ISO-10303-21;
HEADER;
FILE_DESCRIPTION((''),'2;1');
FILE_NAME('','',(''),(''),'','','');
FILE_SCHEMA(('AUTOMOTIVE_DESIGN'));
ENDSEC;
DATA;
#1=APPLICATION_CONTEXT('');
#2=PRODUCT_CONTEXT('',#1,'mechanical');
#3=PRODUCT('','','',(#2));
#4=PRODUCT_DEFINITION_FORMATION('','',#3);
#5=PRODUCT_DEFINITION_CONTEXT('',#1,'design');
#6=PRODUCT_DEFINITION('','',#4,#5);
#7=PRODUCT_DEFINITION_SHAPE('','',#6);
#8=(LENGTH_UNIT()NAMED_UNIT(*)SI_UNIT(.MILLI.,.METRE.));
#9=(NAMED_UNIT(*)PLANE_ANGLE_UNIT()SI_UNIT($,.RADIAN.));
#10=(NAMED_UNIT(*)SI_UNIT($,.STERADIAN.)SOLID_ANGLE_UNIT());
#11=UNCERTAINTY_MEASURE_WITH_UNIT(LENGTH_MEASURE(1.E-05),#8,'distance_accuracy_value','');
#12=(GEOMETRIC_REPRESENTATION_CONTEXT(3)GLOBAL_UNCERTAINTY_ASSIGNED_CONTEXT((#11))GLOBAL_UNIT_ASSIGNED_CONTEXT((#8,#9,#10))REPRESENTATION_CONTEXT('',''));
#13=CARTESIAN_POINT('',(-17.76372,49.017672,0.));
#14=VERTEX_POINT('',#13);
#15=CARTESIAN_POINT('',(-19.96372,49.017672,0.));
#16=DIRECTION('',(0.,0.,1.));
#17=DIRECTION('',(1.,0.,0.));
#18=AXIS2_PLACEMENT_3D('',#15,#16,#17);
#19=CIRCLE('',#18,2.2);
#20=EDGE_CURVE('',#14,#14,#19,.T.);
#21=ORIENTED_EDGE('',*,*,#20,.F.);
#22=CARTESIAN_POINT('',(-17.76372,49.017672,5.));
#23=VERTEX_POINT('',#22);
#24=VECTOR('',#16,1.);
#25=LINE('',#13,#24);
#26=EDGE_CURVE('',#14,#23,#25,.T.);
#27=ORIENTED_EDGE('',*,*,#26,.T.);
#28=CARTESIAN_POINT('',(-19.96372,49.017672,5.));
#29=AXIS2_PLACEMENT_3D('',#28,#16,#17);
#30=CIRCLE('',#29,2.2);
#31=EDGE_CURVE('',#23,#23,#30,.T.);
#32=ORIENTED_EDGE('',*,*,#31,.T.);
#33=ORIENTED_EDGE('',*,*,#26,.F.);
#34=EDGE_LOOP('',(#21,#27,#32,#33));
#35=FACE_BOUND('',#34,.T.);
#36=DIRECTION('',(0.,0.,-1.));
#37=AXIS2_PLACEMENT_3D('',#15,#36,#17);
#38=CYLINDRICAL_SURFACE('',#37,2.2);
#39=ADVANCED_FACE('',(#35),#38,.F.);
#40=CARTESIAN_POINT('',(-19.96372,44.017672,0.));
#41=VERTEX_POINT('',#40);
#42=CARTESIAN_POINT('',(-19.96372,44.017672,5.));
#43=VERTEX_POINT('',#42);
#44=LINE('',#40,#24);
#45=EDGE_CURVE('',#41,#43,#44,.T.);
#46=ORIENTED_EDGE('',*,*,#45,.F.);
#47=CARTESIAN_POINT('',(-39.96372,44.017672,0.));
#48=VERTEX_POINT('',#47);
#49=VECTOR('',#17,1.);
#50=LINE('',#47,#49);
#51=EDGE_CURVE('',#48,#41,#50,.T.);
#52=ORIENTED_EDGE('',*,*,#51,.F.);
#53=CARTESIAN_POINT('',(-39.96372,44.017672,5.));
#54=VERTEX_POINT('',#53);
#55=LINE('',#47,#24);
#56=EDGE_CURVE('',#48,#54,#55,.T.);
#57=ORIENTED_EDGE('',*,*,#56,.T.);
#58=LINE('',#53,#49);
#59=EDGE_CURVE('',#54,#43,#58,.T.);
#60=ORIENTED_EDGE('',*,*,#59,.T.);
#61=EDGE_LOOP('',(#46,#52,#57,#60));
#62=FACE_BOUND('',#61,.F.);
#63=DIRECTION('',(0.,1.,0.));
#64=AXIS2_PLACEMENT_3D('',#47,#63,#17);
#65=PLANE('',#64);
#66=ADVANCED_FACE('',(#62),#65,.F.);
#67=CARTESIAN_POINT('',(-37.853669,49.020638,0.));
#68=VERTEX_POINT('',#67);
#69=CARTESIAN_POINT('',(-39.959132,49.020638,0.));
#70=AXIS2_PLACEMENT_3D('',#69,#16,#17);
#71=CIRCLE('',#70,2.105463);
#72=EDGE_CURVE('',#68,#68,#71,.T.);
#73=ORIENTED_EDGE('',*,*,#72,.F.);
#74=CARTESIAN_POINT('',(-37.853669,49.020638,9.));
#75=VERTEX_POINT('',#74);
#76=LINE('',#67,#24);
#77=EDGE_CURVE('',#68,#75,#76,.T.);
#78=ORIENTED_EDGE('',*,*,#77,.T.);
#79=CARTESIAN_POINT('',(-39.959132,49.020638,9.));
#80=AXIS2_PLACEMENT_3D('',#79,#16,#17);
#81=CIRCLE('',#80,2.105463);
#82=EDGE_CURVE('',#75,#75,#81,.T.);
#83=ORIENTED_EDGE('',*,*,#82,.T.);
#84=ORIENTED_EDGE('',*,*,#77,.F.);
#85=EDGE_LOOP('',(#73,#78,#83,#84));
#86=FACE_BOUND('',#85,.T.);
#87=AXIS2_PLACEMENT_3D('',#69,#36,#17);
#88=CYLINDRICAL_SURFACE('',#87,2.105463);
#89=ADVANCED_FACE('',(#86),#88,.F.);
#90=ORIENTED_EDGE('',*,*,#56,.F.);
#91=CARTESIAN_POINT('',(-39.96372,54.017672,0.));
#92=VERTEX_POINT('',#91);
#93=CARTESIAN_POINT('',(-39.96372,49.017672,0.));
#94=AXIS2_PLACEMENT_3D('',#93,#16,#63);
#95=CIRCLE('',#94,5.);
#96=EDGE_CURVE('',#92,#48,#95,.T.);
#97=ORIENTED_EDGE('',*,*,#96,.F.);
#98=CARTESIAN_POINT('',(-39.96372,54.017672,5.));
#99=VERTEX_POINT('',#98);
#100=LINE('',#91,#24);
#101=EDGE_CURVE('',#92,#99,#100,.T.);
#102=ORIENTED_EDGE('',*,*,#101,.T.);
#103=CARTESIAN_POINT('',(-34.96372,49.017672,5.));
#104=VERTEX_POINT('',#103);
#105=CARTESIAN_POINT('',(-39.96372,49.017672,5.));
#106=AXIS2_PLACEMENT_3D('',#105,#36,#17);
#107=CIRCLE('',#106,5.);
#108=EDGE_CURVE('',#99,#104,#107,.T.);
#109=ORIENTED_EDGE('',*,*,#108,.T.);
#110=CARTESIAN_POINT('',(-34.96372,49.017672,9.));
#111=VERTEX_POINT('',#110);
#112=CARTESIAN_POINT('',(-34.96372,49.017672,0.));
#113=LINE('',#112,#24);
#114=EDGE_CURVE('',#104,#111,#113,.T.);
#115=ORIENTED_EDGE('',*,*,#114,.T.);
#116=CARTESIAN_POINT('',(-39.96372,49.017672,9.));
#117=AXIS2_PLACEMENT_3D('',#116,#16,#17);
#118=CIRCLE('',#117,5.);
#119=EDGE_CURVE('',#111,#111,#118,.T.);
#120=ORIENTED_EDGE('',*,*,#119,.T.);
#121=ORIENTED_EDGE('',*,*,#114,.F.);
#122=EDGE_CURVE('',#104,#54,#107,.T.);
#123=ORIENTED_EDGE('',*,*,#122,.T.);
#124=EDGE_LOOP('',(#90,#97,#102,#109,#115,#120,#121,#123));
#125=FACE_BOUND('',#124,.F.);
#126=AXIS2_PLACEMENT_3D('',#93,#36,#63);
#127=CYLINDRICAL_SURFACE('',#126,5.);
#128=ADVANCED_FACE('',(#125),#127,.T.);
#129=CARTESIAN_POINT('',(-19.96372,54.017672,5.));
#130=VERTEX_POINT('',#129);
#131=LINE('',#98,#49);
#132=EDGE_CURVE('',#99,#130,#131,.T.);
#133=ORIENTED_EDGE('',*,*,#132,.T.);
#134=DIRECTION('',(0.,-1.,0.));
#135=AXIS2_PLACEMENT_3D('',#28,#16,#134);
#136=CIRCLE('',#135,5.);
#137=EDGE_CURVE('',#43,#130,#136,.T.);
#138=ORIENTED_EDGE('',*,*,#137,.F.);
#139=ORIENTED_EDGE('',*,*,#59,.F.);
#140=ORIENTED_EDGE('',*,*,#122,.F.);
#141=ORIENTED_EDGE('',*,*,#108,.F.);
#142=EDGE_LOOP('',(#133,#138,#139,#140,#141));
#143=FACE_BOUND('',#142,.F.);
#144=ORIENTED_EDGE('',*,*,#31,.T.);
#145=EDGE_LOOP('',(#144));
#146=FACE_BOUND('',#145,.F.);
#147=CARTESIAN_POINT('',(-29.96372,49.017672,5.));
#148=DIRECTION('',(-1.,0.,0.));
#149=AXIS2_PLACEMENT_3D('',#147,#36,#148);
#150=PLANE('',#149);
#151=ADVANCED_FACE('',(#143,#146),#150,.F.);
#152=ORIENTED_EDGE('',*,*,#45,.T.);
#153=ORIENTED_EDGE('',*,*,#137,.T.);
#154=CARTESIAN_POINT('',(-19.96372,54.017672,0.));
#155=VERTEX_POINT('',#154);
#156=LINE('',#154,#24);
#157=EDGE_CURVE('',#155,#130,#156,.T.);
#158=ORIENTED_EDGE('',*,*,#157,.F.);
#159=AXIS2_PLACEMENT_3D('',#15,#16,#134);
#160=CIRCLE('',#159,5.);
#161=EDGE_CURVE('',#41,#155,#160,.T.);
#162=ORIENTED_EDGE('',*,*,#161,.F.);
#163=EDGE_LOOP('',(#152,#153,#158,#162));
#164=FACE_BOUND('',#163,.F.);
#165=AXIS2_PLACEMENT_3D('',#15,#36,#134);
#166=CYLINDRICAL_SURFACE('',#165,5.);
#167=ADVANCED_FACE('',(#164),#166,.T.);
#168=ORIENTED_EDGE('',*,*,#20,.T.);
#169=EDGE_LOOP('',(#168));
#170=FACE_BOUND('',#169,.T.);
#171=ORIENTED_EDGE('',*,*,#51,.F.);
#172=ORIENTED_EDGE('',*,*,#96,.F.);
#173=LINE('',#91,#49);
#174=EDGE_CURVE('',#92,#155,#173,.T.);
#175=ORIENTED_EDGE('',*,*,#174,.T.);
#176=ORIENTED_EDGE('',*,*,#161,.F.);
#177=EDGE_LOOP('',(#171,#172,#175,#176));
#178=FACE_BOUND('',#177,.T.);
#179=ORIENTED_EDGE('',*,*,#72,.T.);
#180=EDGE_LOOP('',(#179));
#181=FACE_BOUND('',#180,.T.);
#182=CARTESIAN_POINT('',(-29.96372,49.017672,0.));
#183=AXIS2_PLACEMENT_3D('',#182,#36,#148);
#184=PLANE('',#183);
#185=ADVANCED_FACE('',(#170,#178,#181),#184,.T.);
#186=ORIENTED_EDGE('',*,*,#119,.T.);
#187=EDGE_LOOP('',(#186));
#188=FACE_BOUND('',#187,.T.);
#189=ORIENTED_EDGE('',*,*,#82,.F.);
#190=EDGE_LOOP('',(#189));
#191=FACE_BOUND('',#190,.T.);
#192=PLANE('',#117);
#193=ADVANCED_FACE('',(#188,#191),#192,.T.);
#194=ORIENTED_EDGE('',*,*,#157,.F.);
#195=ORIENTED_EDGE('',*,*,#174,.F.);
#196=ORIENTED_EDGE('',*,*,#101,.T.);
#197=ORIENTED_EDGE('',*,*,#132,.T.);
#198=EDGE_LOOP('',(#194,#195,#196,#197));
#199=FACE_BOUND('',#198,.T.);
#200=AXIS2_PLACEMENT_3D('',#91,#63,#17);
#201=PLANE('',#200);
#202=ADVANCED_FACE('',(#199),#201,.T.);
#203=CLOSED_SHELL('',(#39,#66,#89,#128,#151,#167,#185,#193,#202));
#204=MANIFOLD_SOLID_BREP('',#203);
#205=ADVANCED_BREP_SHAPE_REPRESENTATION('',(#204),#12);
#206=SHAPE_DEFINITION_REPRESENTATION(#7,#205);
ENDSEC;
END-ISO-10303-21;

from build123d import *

# Parameters (mm, degrees)
SKETCH005_R      = 5
SKETCH005_R_2    = 2.105463
EXTRUDE004_DEPTH = 9
SKETCH004_R      = 2.2
EXTRUDE003_DEPTH = 5


with BuildPart() as psu_one_hole_extrude:
    # Sketch005 → Extrude004 (new body)
    with BuildSketch(Plane.XY):
        with Locations((-39.96372, 49.017672)):
            Circle(SKETCH005_R)
        with Locations((-39.959132, 49.020638)):
            Circle(SKETCH005_R_2, mode=Mode.SUBTRACT)
    extrude(amount=EXTRUDE004_DEPTH)


with BuildPart() as psu_two_hole_tab_fusion:
    # Sketch004 → Extrude003 (new body)
    with BuildSketch(Plane.XY):
        with BuildLine():
            Line((-39.96372, 54.017672), (-19.96372, 54.017672))
            ThreePointArc((-19.96372, 44.017672), (-14.96372, 49.017672), (-19.96372, 54.017672))
            Line((-39.96372, 44.017672), (-19.96372, 44.017672))
            ThreePointArc((-39.96372, 54.017672), (-44.96372, 49.017672), (-39.96372, 44.017672))
        make_face()
        with Locations((-39.96372, 49.017672)):
            Circle(SKETCH004_R, mode=Mode.SUBTRACT)
        with Locations((-19.96372, 49.017672)):
            Circle(SKETCH004_R, mode=Mode.SUBTRACT)
    extrude(amount=EXTRUDE003_DEPTH)

    # Fusion008: union psu one hole extrude
    add(psu_one_hole_extrude.part)


solid = psu_two_hole_tab_fusion.part
